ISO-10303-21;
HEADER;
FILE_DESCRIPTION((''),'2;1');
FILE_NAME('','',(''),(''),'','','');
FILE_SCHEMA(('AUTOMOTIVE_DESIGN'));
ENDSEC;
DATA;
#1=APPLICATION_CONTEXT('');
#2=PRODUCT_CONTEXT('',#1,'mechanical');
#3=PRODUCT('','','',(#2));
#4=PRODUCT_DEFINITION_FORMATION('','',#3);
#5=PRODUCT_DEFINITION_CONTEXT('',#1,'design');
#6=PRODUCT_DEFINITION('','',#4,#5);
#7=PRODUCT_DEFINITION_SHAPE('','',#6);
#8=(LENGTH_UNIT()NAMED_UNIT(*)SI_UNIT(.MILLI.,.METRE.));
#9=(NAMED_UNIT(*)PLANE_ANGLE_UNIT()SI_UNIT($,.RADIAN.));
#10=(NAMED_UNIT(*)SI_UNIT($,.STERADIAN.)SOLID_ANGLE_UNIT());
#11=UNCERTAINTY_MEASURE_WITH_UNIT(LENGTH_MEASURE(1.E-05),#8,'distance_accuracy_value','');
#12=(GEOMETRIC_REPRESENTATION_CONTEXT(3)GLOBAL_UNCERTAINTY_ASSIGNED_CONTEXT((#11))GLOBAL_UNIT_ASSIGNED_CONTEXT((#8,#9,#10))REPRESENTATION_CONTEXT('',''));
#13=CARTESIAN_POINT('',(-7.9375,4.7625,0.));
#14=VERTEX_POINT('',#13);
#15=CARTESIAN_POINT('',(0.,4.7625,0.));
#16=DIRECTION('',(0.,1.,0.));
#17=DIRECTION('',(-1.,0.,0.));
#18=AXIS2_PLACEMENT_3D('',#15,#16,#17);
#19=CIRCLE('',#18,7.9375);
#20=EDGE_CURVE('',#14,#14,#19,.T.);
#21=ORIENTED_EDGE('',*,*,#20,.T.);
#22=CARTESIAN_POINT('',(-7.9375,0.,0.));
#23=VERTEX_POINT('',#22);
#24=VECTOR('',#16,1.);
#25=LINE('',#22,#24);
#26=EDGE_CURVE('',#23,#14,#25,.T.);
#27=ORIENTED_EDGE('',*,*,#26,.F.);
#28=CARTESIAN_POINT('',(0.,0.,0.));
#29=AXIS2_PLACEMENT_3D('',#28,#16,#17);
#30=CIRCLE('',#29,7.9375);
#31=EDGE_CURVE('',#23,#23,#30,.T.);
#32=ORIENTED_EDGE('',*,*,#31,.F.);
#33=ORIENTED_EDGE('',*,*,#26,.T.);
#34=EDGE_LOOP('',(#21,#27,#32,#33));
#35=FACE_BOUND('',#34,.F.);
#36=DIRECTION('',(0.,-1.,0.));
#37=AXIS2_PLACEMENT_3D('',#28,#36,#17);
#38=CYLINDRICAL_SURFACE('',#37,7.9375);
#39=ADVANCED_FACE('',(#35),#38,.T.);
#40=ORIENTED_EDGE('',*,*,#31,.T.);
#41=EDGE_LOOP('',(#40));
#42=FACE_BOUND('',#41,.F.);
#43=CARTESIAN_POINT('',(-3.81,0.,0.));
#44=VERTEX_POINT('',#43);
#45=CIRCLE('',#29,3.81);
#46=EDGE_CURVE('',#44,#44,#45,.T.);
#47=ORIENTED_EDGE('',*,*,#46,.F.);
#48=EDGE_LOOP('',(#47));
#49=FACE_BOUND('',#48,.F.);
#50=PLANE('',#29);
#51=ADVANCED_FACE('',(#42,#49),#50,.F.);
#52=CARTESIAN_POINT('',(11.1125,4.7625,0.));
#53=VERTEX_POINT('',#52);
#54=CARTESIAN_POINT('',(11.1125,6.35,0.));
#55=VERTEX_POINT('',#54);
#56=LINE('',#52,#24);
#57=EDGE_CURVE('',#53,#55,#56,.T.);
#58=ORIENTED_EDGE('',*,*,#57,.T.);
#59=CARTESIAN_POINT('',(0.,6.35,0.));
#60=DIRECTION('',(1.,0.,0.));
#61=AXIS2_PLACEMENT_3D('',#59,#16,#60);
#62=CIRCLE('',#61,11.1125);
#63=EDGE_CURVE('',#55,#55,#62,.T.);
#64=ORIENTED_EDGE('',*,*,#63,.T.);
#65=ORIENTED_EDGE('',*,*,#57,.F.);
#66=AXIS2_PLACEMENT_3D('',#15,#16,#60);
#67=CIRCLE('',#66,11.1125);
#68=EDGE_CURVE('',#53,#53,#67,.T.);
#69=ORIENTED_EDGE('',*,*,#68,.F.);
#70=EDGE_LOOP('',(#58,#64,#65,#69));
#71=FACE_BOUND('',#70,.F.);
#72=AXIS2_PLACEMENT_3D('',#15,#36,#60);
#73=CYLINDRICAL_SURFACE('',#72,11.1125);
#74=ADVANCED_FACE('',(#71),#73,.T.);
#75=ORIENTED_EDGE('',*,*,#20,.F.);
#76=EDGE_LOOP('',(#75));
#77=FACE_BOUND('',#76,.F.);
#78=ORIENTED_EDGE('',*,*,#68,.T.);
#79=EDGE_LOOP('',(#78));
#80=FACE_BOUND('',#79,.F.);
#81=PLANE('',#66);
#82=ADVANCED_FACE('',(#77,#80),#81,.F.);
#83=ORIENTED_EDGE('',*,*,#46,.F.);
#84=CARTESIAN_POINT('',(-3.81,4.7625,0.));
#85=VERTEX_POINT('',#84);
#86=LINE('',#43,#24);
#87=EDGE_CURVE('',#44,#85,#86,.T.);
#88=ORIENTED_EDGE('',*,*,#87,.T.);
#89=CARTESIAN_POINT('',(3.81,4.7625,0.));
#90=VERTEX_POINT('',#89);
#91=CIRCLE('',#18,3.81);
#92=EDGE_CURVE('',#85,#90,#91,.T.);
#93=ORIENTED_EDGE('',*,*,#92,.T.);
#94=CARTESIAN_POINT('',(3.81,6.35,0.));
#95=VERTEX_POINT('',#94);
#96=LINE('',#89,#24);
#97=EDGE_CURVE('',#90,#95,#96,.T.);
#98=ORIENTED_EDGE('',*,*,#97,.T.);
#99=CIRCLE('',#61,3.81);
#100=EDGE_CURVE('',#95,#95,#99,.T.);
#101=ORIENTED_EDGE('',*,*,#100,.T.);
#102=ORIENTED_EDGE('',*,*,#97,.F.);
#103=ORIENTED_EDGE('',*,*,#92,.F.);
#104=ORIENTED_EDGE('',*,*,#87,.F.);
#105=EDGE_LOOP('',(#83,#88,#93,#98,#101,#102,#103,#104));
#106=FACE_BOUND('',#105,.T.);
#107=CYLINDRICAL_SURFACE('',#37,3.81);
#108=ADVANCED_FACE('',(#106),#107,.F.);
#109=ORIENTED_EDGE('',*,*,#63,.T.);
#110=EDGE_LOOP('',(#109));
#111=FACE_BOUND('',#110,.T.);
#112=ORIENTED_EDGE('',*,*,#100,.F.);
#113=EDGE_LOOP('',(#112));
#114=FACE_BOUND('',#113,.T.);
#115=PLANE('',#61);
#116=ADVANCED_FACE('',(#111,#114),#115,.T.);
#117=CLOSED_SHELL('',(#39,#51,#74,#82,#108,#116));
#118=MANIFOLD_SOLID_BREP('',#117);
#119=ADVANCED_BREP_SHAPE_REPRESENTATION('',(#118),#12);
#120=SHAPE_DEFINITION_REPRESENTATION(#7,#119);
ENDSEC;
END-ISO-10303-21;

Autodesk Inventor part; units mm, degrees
ref_plane "YZ Plane" through (0, 0, 0) normal (1, 0, 0) x (0, 1, 0)
ref_plane "XZ Plane" through (0, 0, 0) normal (0, 1, 0) x (-1, 0, 0)
ref_plane "XY Plane" through (0, 0, 0) normal (0, 0, 1) x (1, 0, 0)
sketch "Sketch1" plane through (0, 0, 0) normal (0, 1, 0) x (-1, 0, 0)
  circle A0 centre (0, 0) radius 7.9375
  circle A1 centre (0, 0) radius 3.81
  dimension "d0" = 15.875
  dimension "d1" = 7.62
extrude "Extrusion1" add sketch "Sketch1" along normal blind 4.7625
sketch "Sketch2" plane through (0, 4.7625, 0) normal (0, 1, 0) x (1, 0, 0)
  circle A0 centre (0, 0) radius 3.81 projected
  circle A1 centre (0, 0) radius 7.9375 projected
  circle A2 centre (0, 0) radius 11.1125
  dimension "d4" = 3.175
extrude "Extrusion2" add sketch "Sketch2" along normal blind 1.5875 contours A1 | A2
properties part number "bearing"
